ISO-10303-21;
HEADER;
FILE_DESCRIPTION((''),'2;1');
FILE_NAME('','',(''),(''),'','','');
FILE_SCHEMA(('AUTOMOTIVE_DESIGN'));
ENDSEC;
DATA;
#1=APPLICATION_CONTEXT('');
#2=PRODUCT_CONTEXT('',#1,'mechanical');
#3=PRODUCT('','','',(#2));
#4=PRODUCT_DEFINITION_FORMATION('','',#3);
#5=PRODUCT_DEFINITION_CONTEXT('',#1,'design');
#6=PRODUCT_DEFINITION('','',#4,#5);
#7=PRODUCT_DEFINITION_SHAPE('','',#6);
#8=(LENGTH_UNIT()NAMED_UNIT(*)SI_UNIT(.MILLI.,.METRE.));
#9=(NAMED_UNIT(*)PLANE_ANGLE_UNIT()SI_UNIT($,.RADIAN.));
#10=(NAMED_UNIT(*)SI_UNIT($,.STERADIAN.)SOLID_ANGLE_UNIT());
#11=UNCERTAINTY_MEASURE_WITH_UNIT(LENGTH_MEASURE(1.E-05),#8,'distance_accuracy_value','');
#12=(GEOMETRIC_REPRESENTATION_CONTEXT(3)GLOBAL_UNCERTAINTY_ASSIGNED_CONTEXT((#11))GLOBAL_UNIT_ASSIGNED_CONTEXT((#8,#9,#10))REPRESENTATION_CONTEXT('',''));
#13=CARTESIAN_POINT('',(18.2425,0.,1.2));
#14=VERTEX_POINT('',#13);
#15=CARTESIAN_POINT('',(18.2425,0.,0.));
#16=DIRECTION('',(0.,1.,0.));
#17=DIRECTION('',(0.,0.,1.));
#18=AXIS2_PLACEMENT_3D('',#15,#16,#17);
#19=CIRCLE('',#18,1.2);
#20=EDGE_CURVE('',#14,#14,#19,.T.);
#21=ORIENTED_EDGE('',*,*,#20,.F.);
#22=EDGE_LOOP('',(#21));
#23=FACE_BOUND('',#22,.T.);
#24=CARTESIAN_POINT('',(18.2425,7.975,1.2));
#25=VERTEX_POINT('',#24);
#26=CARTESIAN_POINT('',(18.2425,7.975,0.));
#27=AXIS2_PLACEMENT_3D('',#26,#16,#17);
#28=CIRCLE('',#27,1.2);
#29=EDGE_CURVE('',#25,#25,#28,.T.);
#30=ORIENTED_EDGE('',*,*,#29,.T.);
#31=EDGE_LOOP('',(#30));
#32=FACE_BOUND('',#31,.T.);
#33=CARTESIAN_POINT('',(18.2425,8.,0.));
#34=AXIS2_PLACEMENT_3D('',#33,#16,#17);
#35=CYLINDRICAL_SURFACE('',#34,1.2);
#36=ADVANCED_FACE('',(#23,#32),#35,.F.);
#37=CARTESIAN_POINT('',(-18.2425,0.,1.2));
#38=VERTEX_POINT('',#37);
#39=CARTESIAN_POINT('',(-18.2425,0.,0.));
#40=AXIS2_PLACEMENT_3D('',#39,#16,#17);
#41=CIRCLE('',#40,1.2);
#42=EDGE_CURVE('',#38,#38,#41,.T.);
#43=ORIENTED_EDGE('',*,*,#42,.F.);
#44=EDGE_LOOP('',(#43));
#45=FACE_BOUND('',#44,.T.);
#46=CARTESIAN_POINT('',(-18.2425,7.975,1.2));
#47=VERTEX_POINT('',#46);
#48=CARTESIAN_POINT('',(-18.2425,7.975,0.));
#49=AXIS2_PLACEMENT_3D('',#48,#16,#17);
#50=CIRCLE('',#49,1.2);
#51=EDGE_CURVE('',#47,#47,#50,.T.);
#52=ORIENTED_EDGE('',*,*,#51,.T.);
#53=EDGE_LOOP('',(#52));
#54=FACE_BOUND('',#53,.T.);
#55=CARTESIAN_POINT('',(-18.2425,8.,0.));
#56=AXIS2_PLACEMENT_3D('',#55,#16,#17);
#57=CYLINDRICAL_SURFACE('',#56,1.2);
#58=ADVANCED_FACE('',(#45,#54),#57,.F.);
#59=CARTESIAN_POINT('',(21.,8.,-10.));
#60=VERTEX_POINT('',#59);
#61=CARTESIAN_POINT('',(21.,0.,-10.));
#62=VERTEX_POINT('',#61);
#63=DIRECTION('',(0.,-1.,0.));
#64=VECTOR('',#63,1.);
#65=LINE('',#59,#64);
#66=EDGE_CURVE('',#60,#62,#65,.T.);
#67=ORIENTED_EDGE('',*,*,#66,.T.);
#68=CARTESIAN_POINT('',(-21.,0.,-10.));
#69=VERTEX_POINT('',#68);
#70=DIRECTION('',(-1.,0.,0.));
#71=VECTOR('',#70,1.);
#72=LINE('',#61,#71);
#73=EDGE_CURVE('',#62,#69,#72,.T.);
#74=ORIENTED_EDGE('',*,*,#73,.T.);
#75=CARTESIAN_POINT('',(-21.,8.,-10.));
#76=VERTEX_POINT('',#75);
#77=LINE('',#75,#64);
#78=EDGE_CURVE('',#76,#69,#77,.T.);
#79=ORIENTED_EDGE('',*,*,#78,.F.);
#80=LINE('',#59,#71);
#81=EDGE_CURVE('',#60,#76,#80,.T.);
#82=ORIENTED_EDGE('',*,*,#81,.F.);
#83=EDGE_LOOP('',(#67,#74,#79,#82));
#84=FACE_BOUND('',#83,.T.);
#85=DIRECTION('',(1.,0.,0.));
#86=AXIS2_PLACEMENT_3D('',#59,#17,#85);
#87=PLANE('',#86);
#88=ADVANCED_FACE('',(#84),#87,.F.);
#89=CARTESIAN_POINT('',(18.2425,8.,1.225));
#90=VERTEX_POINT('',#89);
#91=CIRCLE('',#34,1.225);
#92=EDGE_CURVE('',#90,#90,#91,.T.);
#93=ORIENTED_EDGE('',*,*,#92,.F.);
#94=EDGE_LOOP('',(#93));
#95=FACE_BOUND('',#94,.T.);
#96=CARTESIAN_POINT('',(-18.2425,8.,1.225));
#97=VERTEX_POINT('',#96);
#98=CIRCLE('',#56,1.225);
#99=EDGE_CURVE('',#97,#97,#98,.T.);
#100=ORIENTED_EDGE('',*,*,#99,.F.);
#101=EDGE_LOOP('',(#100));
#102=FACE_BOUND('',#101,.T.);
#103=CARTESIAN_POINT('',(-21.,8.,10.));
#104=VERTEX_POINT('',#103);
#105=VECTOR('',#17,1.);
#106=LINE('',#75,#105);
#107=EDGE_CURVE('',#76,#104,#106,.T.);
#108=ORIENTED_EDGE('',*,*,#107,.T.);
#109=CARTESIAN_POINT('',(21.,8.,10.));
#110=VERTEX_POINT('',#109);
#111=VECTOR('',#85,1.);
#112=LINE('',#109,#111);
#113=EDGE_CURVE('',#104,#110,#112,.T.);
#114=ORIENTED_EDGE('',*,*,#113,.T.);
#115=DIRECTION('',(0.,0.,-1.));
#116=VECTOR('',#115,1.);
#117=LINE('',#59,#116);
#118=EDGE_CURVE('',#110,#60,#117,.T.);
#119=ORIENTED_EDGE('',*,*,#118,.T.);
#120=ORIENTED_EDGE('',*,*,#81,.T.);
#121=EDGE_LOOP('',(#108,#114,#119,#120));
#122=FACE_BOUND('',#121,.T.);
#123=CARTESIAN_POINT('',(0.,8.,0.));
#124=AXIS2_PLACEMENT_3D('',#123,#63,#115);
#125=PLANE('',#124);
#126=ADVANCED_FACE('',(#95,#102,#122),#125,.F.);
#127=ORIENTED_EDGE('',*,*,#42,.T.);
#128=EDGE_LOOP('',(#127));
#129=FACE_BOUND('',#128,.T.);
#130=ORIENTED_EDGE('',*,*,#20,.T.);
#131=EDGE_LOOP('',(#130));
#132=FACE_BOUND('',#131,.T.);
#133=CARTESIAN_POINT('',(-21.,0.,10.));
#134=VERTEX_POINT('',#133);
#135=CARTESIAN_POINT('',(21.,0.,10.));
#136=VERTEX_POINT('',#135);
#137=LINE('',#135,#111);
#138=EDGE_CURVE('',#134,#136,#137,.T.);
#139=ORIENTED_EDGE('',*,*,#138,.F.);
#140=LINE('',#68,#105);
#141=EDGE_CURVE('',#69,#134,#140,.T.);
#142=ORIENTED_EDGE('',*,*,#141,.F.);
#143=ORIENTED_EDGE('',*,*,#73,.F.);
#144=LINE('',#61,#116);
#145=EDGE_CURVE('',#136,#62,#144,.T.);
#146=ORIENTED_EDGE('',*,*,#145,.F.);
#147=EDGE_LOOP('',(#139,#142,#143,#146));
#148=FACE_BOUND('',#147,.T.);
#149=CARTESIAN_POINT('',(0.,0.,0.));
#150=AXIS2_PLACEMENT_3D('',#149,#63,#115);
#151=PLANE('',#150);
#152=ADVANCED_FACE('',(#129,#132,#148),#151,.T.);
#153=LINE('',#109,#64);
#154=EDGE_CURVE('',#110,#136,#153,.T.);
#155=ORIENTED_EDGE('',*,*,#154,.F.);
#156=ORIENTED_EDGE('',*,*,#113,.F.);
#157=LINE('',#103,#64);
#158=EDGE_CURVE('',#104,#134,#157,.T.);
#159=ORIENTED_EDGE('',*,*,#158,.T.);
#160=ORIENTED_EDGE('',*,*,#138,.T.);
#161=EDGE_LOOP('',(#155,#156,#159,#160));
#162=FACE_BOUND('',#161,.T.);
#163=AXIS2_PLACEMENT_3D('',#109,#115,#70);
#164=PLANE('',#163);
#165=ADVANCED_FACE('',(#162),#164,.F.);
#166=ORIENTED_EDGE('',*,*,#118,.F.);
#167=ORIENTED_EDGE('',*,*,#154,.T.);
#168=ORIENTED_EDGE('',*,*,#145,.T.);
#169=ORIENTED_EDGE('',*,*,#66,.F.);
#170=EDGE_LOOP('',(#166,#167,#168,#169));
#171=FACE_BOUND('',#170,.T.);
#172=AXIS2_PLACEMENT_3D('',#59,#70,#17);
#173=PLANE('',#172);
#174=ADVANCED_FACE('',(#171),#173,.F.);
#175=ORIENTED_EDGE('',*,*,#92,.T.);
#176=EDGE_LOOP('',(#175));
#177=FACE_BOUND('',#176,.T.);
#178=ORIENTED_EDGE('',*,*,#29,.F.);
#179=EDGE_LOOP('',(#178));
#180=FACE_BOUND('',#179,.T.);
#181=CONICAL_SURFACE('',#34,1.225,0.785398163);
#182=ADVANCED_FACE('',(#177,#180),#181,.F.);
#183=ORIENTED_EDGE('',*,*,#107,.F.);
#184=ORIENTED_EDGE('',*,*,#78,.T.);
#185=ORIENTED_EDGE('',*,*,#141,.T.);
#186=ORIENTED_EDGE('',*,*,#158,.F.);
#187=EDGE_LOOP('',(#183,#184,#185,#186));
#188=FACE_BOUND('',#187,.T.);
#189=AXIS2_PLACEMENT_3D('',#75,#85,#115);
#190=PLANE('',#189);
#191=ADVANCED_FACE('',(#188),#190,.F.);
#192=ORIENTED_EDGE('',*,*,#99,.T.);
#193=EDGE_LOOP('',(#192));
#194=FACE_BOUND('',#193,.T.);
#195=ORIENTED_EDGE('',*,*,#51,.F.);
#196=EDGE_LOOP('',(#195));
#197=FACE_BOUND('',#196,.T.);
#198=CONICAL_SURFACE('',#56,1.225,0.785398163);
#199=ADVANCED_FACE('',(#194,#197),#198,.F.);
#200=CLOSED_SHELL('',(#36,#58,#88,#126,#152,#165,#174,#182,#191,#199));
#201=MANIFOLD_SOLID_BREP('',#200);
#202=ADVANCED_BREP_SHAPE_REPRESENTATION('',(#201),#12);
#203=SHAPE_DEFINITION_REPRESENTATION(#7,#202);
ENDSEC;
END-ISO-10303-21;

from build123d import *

# Parameters (mm, degrees)
SKETCH1_W                      = 42
SKETCH1_H                      = 20
BOSS_EXTRUDE1_DEPTH            = 8
M2_CLEARANCE_HOLE1_D           = 2.4
M2_CLEARANCE_HOLE1_CSINK_D     = 2.45
M2_CLEARANCE_HOLE1_CSINK_ANGLE = 90


with BuildPart() as part:
    # Sketch1 → Boss-Extrude1 (new body)
    with BuildSketch(Plane(origin=(0, 0, 0), x_dir=(1, 0, 0), z_dir=(0, 1, 0))):
        Rectangle(SKETCH1_W, SKETCH1_H)
    extrude(amount=BOSS_EXTRUDE1_DEPTH)

    # M2 Clearance Hole1 (through all)
    with Locations(Plane(origin=(0, 8, 0), x_dir=(1, 0, 0), z_dir=(0, 1, 0))):
        with Locations((-18.2425, 0), (18.2425, 0)):
            CounterSinkHole(M2_CLEARANCE_HOLE1_D / 2, M2_CLEARANCE_HOLE1_CSINK_D / 2, counter_sink_angle=M2_CLEARANCE_HOLE1_CSINK_ANGLE)


solid = part.part
